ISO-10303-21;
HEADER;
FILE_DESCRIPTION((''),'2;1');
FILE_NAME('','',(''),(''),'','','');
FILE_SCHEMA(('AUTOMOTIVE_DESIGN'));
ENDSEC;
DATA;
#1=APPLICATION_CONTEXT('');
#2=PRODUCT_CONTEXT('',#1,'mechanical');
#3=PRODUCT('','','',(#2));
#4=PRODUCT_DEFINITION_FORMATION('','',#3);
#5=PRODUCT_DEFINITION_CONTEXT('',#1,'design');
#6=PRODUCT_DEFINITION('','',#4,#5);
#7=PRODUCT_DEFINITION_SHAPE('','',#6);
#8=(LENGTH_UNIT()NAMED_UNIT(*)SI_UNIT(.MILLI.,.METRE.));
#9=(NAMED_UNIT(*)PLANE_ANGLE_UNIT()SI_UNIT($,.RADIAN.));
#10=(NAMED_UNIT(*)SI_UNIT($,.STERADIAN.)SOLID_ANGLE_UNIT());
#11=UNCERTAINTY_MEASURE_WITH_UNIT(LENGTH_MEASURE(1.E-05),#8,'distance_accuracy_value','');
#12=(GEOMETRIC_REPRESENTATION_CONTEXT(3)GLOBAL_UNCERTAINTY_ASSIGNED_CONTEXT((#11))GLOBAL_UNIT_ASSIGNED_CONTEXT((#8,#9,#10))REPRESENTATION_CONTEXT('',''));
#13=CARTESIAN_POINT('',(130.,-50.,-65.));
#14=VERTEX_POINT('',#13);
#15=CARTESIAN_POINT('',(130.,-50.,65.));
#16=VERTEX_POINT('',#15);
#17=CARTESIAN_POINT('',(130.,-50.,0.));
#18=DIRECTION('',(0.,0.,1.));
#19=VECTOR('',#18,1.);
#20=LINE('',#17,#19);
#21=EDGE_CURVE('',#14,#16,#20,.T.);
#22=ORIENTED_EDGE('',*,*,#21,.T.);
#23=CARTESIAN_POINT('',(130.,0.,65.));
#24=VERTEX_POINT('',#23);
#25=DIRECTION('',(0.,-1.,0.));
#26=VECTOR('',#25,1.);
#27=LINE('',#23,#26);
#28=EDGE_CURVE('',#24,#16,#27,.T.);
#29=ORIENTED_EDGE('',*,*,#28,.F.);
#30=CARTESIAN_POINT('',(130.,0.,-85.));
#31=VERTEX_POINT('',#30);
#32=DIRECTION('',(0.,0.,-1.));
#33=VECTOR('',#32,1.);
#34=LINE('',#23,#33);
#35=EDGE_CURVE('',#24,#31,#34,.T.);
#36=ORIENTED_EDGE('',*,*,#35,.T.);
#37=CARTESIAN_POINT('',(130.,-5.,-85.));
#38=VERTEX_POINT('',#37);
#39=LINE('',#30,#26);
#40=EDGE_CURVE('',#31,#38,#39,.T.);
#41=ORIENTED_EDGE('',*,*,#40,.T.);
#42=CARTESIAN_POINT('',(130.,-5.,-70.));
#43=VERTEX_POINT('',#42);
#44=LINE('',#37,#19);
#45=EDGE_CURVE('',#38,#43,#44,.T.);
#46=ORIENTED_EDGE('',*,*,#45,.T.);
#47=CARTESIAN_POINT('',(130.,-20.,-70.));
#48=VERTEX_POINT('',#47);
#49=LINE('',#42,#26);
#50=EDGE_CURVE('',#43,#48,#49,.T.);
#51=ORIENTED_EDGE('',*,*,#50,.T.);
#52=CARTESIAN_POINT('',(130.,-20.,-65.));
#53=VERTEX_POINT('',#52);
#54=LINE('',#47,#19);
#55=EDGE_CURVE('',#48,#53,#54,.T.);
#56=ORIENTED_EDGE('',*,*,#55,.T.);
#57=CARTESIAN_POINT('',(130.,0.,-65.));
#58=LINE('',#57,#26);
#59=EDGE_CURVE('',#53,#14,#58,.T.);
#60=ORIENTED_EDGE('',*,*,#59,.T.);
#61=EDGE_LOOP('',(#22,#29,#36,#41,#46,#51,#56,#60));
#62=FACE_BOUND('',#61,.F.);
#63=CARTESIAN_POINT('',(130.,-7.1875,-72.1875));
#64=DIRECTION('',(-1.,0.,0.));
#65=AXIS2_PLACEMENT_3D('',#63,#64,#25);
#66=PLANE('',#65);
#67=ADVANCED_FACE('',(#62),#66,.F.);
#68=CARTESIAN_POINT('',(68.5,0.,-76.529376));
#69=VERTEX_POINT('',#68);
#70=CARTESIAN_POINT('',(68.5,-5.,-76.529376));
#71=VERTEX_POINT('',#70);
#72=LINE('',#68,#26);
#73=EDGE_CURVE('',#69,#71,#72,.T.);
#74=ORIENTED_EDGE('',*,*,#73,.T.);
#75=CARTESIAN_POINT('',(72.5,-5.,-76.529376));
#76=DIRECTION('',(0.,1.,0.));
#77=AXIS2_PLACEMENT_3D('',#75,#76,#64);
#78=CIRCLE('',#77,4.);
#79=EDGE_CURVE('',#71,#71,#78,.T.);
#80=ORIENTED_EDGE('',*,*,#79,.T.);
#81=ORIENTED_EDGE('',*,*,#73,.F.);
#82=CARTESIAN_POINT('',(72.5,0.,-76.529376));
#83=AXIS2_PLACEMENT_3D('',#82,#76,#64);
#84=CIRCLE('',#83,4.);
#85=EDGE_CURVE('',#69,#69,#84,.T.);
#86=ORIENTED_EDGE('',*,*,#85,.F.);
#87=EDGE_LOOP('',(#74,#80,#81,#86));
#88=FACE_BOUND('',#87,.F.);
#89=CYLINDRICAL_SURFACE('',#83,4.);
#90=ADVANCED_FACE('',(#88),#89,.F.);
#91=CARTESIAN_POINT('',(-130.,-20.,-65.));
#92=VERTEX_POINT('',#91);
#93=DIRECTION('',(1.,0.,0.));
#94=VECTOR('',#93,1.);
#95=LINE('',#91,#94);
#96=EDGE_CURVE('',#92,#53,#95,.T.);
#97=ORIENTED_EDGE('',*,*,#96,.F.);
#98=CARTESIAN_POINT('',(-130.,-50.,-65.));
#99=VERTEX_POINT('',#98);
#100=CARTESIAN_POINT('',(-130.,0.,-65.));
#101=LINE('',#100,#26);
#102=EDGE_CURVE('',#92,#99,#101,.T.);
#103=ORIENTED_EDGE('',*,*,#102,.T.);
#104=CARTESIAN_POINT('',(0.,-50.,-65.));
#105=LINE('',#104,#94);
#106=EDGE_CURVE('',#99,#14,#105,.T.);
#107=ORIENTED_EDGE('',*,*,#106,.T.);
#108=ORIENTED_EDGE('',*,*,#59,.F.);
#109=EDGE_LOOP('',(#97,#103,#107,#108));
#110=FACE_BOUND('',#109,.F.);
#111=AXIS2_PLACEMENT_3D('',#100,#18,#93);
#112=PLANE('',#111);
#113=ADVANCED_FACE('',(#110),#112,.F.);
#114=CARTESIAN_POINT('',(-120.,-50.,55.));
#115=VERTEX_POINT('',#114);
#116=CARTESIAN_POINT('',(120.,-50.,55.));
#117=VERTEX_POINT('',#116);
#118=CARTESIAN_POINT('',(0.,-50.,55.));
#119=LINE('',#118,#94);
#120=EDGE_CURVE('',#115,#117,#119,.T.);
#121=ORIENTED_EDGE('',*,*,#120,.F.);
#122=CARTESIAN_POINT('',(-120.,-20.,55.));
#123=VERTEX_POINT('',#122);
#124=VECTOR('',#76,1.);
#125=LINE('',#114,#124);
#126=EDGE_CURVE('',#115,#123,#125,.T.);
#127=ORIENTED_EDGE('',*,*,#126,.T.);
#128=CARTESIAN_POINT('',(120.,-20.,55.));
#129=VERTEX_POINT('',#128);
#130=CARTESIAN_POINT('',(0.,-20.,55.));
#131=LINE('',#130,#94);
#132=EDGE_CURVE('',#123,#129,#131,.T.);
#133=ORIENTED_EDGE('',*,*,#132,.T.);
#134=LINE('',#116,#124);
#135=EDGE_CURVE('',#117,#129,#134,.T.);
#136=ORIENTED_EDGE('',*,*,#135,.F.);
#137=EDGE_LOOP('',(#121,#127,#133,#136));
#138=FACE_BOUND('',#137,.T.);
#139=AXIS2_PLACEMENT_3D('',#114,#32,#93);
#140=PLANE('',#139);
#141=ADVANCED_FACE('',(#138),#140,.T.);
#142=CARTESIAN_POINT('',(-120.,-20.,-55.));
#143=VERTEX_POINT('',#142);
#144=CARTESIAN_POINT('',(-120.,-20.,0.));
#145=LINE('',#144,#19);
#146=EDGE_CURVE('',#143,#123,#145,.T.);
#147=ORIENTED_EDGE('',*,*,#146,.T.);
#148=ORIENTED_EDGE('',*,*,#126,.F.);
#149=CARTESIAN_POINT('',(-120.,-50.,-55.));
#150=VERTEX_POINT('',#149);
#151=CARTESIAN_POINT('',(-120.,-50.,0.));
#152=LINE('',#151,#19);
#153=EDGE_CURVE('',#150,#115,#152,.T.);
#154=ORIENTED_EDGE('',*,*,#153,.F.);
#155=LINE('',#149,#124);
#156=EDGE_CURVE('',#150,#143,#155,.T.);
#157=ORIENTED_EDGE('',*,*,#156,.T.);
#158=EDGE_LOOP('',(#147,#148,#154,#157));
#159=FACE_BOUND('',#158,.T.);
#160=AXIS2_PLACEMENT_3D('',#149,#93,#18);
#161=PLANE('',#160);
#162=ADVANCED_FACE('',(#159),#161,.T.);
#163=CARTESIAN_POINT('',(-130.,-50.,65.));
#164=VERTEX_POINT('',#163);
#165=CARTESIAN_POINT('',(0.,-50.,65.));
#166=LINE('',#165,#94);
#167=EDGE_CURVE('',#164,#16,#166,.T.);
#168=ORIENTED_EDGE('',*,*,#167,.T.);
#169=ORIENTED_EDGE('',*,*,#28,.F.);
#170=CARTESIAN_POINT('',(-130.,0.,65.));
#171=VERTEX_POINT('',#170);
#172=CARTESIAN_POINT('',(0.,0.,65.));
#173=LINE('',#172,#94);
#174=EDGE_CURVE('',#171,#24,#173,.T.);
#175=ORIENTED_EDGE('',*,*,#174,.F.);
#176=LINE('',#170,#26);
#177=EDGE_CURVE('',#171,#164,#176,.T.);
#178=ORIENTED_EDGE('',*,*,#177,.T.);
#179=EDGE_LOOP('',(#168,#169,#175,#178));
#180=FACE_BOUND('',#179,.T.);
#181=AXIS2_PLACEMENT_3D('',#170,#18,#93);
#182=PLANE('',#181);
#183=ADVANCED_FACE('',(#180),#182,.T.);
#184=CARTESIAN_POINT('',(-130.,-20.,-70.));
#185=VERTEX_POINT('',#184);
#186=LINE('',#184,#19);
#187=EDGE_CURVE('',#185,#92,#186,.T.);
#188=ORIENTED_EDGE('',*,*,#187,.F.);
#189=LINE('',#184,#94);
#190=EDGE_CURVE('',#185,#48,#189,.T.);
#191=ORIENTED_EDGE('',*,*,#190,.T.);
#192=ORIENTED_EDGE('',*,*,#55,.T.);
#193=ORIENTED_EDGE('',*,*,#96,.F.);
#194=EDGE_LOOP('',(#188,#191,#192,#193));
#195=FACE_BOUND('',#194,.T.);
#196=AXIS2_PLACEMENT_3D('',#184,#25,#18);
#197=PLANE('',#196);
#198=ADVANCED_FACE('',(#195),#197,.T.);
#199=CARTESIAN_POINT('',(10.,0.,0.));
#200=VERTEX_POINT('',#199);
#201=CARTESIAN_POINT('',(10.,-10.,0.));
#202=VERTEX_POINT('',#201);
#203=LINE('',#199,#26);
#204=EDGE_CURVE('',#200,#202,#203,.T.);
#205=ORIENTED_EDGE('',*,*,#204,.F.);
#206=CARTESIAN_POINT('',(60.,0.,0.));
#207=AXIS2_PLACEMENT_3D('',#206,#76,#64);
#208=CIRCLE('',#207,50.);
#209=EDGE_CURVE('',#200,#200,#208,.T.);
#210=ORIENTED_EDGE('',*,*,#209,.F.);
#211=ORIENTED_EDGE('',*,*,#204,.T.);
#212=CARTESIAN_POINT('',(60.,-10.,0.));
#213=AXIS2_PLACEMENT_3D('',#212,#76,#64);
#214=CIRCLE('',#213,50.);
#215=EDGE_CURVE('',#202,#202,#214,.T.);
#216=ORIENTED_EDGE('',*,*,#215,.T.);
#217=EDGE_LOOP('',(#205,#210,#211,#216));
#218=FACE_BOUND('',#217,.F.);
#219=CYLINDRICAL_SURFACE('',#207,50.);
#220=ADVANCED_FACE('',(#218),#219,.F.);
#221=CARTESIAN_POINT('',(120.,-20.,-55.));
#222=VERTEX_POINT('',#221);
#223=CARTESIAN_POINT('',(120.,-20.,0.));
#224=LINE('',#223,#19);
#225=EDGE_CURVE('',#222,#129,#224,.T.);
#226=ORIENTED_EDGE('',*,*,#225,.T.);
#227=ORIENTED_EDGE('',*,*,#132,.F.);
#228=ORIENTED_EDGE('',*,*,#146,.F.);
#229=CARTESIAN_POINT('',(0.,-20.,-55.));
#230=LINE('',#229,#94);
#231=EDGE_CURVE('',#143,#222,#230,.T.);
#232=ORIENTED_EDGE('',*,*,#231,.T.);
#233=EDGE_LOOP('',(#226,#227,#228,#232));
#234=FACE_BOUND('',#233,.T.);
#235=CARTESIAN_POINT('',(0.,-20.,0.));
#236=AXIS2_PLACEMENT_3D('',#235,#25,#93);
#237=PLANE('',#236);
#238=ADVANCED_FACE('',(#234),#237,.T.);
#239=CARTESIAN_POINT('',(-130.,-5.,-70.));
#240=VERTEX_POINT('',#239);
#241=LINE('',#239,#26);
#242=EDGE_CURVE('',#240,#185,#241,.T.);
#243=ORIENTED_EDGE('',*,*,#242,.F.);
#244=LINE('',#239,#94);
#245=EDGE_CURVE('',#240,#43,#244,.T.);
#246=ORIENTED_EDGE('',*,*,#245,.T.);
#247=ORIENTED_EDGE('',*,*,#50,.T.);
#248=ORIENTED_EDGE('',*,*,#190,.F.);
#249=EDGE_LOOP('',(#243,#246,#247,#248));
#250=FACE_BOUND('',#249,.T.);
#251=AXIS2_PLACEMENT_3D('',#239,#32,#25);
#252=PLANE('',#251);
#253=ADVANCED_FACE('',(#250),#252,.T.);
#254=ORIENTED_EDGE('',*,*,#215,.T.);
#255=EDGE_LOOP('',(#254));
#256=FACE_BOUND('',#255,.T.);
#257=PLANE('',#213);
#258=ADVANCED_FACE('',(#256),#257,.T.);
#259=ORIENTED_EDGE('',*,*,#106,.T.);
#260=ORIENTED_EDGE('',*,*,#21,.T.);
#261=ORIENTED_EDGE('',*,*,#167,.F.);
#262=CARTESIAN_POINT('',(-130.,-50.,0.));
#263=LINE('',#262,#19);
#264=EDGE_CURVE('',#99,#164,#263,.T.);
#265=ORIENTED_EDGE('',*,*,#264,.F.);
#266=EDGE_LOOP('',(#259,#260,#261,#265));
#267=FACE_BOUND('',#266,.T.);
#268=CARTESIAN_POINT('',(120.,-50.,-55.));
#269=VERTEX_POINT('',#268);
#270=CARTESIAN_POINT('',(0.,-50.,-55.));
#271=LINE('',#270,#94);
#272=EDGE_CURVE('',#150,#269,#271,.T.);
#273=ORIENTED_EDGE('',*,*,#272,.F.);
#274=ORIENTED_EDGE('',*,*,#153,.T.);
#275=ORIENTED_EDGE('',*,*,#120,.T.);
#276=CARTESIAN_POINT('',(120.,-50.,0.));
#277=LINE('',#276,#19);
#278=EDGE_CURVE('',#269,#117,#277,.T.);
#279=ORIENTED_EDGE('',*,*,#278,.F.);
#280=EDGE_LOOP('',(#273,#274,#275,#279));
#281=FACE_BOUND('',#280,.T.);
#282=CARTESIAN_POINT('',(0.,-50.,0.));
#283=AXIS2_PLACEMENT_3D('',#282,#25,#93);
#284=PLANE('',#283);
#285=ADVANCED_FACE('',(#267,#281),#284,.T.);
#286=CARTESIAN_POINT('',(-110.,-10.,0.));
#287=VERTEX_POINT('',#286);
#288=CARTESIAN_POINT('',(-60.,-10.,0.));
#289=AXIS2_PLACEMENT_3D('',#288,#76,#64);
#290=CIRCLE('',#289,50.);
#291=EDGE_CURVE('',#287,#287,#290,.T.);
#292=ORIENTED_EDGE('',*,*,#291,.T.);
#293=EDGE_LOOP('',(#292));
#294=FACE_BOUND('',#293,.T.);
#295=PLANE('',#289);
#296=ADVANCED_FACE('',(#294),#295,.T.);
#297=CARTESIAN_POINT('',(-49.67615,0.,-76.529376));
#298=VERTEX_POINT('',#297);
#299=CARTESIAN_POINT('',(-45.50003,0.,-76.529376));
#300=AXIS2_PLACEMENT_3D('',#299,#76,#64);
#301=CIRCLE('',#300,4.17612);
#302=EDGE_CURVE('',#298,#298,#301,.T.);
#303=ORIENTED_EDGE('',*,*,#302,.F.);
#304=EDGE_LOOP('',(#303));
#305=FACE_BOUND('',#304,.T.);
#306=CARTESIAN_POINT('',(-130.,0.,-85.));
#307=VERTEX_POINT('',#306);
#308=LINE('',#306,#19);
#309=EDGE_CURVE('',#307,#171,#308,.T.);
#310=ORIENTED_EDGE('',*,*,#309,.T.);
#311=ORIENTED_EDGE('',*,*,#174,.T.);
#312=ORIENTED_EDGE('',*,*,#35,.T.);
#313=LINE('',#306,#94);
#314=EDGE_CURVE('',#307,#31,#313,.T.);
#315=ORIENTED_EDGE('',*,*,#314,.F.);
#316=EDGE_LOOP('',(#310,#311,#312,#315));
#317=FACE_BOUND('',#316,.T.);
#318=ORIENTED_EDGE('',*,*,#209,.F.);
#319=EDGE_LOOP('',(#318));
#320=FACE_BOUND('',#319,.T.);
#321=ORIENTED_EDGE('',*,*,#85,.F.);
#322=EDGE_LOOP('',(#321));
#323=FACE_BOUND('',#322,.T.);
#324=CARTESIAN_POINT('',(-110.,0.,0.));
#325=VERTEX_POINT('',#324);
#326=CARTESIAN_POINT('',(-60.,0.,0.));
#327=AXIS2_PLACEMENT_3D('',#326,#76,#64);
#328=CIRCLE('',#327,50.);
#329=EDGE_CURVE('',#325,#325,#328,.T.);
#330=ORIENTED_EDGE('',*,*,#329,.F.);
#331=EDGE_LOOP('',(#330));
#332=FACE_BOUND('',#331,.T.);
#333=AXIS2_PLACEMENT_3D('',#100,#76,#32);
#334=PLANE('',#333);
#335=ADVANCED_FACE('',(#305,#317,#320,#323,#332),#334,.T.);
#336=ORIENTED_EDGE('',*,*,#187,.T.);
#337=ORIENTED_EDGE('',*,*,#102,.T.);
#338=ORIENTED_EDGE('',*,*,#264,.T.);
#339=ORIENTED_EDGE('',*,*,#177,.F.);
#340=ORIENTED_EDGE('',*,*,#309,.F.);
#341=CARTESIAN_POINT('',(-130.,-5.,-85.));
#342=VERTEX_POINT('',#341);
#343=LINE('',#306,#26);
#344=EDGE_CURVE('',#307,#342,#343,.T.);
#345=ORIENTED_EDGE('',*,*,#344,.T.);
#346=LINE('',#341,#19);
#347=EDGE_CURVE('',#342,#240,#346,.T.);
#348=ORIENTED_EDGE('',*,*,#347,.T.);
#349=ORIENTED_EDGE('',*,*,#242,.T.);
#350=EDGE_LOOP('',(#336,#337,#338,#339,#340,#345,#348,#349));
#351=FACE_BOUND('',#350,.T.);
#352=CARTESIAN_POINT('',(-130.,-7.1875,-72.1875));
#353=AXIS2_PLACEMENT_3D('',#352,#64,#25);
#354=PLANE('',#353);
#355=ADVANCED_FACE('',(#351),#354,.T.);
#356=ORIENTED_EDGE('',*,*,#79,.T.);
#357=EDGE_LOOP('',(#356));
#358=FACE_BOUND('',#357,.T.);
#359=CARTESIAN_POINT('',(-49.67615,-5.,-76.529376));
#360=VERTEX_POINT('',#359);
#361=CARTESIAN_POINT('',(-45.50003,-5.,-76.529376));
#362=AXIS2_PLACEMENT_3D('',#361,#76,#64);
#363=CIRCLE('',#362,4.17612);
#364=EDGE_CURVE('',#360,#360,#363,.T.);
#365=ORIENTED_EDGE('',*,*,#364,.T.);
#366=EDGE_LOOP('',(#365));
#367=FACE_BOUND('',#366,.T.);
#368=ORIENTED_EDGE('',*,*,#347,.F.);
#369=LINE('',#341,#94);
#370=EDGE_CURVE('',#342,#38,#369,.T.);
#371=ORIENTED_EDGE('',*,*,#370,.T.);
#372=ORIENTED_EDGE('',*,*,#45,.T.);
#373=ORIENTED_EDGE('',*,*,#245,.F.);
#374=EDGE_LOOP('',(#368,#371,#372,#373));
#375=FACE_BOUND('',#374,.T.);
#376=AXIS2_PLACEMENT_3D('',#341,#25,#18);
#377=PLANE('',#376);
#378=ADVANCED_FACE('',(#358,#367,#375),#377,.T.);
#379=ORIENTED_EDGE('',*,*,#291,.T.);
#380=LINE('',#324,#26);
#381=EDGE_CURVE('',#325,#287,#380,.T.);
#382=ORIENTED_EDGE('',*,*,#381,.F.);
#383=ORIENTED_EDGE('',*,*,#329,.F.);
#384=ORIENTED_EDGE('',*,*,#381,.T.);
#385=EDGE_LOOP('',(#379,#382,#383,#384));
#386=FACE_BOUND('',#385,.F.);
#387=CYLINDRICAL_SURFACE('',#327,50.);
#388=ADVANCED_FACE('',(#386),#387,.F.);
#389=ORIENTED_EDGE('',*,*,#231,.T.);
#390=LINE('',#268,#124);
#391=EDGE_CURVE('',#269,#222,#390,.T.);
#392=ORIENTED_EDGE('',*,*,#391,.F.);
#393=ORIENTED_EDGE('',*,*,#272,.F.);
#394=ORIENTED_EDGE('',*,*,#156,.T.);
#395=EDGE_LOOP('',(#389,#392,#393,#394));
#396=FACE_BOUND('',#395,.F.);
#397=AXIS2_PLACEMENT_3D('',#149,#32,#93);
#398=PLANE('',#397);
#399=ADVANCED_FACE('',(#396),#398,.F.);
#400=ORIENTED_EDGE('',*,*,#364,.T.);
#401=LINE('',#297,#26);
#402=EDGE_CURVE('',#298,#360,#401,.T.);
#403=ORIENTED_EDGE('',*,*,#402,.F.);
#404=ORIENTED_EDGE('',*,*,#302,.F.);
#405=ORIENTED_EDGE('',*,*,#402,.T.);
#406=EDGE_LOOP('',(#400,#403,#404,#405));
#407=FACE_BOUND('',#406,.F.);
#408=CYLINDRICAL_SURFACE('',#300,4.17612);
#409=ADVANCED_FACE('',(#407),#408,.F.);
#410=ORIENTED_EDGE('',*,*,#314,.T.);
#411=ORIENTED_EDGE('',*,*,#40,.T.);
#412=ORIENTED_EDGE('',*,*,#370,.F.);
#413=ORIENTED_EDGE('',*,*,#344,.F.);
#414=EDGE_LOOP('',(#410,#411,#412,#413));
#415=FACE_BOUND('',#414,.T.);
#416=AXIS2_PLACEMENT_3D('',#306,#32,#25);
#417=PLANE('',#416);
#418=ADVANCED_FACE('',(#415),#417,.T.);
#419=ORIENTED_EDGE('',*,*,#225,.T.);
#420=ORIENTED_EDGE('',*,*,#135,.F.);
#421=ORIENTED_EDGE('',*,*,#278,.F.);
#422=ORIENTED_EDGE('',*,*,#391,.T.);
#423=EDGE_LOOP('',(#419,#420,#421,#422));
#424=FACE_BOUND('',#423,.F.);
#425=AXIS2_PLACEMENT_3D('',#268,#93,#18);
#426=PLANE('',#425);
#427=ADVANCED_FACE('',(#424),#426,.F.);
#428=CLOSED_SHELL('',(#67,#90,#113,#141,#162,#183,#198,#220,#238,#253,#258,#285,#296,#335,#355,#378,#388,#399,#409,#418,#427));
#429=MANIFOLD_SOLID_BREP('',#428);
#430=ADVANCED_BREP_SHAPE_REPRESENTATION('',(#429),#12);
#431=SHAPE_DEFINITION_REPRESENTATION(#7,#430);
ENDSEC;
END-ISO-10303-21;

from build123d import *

# Parameters (mm, degrees)
F0_W     = 260
F0_H     = 130
F1_DEPTH = 50
F2_R     = 50
F3_DEPTH = 10
F4_W     = 240
F4_H     = 110
F5_DEPTH = 30
F7_DEPTH = 260
F8_R     = 4
F8_R_2   = 4.17612
F9_DEPTH = 25


with BuildPart() as f1:
    # F0 (on Front) → F1 (new body)
    with BuildSketch(Plane.XZ):
        Rectangle(F0_W, F0_H)
    extrude(amount=F1_DEPTH)

    # F2 (on face) → F3 (cut)
    with BuildSketch(Plane(origin=(0, 0, 0), x_dir=(-1, 0, 0), z_dir=(0, 1, 0))):
        with Locations((60, 0)):
            Circle(F2_R)
        with Locations((-60, 0)):
            Circle(F2_R)
    extrude(amount=-F3_DEPTH, mode=Mode.SUBTRACT)

    # F4 (on face) → F5 (cut)
    with BuildSketch(Plane.XZ.offset(50)):
        Rectangle(F4_W, F4_H)
    extrude(amount=-F5_DEPTH, mode=Mode.SUBTRACT)

    # F6 (on face) → F7 (join)
    with BuildSketch(Plane(origin=(-130, 0, 0), x_dir=(0, -1, 0), z_dir=(-1, 0, 0))):
        Polygon((20, -65), (0, -65), (0, -85), (5, -85), (5, -70), (20, -70), align=None)
    extrude(amount=-F7_DEPTH)

    # F8 (on face) → F9 (cut)
    with BuildSketch(Plane(origin=(0, 0, 0), x_dir=(-1, 0, 0), z_dir=(0, 1, 0))):
        with Locations((-72.5, -76.529376)):
            Circle(F8_R)
        with Locations((45.50003, -76.529376)):
            Circle(F8_R_2)
    extrude(amount=-F9_DEPTH, mode=Mode.SUBTRACT)


solid = f1.part
